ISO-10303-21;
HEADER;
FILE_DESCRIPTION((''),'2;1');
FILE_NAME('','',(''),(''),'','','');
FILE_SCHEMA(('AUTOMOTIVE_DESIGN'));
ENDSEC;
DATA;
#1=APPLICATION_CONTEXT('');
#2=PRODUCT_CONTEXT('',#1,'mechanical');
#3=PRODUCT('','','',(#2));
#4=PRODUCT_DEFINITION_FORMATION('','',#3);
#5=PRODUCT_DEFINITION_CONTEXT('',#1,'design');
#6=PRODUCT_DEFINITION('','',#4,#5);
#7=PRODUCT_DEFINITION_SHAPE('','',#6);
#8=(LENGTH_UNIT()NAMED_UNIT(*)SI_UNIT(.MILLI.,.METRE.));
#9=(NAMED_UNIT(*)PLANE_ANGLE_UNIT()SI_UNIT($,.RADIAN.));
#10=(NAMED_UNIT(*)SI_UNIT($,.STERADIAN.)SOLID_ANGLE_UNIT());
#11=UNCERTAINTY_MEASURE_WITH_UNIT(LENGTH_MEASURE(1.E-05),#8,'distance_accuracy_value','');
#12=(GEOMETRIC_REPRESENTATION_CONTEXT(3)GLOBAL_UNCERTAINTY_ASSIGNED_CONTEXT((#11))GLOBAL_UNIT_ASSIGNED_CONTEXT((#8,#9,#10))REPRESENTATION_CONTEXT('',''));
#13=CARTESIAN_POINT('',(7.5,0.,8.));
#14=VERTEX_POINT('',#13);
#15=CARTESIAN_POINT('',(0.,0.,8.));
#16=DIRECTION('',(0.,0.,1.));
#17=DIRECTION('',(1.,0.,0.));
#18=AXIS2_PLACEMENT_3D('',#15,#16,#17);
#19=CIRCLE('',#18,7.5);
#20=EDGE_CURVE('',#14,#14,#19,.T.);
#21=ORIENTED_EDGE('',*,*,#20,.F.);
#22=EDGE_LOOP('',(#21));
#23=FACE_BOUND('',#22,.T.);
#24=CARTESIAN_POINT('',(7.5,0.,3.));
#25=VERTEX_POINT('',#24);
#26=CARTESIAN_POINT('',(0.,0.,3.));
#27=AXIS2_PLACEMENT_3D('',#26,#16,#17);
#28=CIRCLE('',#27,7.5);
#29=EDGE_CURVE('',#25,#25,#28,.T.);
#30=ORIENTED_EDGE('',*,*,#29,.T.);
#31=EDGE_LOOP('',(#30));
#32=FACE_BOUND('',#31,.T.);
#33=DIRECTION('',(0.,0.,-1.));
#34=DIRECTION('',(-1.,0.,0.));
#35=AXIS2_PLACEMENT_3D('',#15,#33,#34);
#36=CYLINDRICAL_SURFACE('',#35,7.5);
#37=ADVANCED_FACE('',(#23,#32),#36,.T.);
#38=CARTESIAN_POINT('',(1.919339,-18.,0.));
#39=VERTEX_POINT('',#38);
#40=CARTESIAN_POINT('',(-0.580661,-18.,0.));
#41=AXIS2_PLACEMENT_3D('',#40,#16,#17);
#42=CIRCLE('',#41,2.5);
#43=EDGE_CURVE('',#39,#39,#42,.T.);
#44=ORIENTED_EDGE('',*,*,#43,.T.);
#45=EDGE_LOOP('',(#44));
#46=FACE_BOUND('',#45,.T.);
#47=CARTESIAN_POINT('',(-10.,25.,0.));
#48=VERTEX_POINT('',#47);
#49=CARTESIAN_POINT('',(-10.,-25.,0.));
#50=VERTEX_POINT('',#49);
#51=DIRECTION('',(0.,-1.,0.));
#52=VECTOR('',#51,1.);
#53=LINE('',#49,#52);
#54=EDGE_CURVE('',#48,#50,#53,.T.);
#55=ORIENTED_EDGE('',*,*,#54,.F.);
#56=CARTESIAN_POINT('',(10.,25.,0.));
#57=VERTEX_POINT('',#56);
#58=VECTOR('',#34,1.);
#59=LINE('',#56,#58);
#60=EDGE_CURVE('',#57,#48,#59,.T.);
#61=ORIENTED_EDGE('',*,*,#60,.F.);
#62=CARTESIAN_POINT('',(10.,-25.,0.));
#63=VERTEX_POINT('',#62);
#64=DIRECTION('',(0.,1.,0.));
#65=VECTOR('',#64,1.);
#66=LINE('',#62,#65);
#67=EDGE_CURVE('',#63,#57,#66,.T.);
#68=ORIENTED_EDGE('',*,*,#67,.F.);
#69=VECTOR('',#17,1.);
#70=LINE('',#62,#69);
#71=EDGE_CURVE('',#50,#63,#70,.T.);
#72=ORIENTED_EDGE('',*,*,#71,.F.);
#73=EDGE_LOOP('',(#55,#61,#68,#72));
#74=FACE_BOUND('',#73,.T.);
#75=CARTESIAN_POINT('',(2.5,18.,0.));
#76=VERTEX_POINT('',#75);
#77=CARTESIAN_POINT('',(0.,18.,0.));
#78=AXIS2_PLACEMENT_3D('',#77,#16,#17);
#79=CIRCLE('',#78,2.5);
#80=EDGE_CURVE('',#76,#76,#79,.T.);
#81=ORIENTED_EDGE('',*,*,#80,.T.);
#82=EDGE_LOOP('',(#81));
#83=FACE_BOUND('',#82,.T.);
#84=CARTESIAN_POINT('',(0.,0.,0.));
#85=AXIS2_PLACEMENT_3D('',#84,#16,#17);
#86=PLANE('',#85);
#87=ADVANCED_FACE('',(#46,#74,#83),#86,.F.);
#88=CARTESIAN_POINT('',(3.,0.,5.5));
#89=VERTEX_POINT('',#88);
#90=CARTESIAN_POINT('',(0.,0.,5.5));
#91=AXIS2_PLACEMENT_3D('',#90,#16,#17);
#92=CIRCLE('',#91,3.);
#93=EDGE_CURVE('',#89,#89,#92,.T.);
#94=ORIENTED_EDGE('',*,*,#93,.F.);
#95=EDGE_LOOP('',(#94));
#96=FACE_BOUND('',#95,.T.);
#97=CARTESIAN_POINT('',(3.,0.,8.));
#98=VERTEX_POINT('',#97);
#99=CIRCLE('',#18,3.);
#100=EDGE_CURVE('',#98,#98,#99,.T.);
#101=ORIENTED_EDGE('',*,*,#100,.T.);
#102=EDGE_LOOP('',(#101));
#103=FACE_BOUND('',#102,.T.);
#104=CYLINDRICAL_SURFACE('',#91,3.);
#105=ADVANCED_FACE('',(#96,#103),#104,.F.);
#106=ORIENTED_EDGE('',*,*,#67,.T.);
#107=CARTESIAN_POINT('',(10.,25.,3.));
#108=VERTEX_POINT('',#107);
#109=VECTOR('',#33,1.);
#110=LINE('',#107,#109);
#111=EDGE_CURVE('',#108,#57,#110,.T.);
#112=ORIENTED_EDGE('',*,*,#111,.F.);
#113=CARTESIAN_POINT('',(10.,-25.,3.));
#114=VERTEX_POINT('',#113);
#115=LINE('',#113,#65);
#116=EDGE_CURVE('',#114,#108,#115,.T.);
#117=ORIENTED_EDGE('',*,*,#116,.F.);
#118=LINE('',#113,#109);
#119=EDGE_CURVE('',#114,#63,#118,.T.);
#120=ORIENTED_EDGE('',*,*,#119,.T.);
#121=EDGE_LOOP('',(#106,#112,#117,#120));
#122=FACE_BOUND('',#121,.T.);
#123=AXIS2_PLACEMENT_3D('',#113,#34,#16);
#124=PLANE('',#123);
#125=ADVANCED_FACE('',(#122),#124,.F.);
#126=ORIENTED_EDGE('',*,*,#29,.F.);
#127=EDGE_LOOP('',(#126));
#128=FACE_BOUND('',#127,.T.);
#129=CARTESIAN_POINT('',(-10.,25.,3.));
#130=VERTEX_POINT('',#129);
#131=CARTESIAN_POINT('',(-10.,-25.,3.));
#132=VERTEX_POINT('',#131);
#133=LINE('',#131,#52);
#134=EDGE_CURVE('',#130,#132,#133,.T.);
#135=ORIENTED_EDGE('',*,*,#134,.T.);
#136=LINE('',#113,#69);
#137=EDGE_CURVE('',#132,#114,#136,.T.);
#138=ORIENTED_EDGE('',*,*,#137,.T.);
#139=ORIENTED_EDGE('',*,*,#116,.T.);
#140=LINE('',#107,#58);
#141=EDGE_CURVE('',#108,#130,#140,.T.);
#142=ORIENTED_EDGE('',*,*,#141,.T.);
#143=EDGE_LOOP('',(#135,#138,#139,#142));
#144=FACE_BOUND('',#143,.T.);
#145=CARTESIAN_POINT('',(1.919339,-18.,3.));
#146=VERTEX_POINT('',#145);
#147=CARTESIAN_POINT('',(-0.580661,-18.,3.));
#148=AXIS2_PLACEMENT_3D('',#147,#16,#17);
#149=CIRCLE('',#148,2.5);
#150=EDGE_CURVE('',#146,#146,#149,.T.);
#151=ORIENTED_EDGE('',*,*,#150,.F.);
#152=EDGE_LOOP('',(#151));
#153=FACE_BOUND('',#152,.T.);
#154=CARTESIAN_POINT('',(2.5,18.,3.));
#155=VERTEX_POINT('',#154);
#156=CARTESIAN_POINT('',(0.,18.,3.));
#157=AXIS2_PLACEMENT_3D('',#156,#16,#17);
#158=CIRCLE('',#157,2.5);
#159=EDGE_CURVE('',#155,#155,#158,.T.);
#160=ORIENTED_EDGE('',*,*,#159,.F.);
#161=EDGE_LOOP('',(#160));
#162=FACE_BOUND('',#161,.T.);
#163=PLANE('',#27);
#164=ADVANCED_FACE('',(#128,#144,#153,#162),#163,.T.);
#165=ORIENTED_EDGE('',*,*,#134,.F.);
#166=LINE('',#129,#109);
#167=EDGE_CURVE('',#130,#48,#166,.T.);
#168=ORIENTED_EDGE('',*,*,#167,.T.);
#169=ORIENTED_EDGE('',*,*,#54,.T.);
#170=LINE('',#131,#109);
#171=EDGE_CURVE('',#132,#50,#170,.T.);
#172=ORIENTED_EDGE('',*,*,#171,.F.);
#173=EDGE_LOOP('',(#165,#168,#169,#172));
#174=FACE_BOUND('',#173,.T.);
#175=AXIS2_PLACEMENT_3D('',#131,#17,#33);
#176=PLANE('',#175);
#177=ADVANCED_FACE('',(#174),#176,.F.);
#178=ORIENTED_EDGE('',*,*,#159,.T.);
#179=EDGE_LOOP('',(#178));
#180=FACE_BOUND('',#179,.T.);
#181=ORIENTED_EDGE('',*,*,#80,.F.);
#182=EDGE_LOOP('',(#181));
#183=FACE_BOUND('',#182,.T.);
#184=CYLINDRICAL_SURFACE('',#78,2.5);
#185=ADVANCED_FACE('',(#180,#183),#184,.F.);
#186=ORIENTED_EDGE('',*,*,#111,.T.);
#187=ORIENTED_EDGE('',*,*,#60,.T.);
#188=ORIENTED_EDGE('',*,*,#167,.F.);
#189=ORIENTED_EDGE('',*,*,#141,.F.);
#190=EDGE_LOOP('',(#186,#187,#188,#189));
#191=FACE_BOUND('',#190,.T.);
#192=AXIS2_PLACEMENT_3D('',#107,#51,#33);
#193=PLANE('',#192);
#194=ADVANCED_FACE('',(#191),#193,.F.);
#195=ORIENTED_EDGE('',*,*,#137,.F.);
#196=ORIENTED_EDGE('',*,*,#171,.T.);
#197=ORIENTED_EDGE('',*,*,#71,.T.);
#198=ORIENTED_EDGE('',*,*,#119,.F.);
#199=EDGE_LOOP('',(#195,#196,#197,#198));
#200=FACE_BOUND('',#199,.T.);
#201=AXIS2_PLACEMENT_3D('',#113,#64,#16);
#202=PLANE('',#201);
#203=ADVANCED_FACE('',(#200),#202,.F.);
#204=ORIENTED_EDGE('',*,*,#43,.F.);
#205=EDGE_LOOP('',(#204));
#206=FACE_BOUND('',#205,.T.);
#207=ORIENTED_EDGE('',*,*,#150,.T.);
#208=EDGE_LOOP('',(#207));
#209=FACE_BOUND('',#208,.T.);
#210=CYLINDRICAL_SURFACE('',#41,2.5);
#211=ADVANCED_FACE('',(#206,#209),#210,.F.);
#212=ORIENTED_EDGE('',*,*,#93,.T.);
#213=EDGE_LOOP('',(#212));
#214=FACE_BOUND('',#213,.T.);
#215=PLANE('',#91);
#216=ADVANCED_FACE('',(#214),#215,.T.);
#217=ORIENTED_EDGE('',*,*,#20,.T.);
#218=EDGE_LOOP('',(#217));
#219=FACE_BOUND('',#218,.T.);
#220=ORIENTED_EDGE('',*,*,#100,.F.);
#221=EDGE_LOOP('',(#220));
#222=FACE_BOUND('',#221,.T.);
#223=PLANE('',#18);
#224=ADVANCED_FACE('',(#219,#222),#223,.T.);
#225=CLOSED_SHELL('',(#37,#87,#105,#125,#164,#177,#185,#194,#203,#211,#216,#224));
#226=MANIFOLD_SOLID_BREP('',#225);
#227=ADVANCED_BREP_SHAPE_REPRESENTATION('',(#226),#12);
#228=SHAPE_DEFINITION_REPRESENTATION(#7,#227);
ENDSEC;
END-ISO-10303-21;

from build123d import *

# Parameters (mm, degrees)
SKETCH_1_W          = 20
SKETCH_1_H          = 50
EXTRUDE_1_DEPTH     = 3
SKETCH_2_R          = 7.5
EXTRUDE_2_DEPTH     = 5
SKETCH_3_R          = 3
CUT_EXTRUDE_1_DEPTH = 2.5
SKETCH_4_R          = 2.5
CUT_EXTRUDE_2_DEPTH = 3


with BuildPart() as part:
    # 草图1 → 凸台-拉伸1 (new body)
    with BuildSketch(Plane.XY):
        Rectangle(SKETCH_1_W, SKETCH_1_H)
    extrude(amount=EXTRUDE_1_DEPTH)

    # 草图2 → 凸台-拉伸2 (add)
    with BuildSketch(Plane.XY.offset(3)):
        Circle(SKETCH_2_R)
    extrude(amount=EXTRUDE_2_DEPTH)

    # 草图3 → 切除-拉伸1 (cut)
    with BuildSketch(Plane.XY.offset(8)):
        Circle(SKETCH_3_R)
    extrude(amount=-CUT_EXTRUDE_1_DEPTH, mode=Mode.SUBTRACT)

    # 草图4 → 切除-拉伸2 (cut)
    with BuildSketch(Plane.XY.offset(3)):
        with Locations((0, 18)):
            Circle(SKETCH_4_R)
        with Locations((-0.580661347, -18)):
            Circle(SKETCH_4_R)
    extrude(amount=-CUT_EXTRUDE_2_DEPTH, mode=Mode.SUBTRACT)


solid = part.part
